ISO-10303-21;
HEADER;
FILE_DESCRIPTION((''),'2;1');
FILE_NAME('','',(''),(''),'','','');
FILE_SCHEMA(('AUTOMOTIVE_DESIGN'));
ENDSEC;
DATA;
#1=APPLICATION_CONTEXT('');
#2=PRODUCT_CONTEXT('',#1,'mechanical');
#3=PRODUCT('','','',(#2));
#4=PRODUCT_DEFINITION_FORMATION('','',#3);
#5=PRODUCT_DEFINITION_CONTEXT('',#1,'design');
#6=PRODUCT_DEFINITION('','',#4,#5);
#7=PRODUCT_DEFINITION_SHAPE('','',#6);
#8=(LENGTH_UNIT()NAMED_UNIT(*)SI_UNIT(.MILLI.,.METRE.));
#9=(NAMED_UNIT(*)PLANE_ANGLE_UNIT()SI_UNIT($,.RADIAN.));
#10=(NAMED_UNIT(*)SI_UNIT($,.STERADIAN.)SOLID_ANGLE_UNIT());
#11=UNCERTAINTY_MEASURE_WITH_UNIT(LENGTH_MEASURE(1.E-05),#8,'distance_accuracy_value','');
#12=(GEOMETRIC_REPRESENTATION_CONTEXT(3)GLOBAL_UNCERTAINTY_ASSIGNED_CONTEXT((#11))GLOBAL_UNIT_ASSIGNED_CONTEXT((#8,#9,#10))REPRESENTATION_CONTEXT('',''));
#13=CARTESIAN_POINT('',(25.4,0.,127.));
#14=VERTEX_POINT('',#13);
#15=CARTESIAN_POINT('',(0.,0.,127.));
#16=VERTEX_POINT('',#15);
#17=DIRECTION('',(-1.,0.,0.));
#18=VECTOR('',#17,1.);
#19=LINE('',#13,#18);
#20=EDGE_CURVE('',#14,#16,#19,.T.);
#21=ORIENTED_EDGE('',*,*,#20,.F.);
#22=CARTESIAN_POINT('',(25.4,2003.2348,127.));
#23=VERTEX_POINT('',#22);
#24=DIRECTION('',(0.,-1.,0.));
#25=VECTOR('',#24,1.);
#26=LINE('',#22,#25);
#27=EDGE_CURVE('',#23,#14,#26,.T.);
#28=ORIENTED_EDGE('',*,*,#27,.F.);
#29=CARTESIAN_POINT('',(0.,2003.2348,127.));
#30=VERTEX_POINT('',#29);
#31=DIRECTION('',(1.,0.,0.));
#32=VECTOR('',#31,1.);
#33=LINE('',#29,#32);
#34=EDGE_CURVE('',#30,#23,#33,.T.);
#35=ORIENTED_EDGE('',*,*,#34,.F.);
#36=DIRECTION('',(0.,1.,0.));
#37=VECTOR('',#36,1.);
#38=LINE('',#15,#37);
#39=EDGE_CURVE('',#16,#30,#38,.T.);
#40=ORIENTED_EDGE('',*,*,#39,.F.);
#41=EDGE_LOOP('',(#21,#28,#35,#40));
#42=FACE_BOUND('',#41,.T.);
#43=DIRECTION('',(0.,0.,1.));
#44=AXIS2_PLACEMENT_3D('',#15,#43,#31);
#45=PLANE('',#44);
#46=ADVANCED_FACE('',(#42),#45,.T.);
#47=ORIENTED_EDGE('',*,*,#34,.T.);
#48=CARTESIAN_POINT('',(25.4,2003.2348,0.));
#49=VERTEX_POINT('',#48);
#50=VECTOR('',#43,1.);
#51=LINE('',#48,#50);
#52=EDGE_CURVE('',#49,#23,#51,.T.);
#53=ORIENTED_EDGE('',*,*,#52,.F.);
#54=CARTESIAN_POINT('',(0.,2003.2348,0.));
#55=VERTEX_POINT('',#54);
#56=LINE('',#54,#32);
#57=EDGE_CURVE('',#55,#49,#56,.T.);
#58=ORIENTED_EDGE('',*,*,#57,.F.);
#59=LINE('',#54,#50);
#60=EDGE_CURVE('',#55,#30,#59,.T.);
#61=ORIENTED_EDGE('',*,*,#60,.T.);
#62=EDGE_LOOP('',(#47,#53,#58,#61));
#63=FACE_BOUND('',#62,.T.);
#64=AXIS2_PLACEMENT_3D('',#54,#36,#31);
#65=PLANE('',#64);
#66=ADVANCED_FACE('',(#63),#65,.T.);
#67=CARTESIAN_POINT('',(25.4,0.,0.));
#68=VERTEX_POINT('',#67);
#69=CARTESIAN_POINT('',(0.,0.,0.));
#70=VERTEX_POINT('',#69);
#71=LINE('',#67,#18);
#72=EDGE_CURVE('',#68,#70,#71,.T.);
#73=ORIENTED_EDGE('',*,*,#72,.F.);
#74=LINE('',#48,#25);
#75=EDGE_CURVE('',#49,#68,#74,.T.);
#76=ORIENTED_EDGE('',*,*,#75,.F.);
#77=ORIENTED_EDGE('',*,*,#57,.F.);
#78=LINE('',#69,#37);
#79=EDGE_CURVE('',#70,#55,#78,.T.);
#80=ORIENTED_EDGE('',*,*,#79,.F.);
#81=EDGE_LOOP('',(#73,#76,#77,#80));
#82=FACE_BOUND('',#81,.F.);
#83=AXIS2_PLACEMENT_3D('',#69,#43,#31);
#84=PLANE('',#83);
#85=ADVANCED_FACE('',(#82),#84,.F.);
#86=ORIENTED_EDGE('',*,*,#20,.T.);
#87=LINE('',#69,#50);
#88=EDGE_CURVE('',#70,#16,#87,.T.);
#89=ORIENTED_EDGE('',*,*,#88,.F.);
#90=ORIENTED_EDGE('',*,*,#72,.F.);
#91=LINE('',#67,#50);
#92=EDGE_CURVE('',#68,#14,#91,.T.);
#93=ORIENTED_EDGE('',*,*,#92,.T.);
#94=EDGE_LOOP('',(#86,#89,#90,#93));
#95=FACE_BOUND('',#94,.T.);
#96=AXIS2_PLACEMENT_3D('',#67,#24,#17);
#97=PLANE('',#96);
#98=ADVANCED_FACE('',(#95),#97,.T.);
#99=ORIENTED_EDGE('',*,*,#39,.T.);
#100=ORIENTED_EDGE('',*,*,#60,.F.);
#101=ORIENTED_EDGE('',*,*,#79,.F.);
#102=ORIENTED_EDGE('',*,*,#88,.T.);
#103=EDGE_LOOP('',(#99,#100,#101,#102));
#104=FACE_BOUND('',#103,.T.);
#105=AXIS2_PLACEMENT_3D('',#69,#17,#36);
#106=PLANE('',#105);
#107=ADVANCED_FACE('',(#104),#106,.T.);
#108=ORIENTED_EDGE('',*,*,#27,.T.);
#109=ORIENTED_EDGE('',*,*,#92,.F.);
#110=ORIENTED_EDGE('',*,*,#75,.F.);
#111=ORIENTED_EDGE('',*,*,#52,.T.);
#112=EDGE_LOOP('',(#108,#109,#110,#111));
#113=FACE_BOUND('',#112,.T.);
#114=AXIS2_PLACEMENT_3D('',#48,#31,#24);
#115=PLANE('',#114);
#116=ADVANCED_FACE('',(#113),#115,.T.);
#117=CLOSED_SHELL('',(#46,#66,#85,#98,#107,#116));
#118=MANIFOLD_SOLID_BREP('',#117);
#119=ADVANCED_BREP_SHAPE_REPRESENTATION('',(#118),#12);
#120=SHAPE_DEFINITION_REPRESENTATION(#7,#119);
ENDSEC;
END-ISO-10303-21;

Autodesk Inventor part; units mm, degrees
ref_plane "YZ Plane" through (0, 0, 0) normal (1, 0, 0) x (0, 1, 0)
ref_plane "XZ Plane" through (0, 0, 0) normal (0, 1, 0) x (-1, 0, 0)
ref_plane "XY Plane" through (0, 0, 0) normal (0, 0, 1) x (1, 0, 0)
sketch "Sketch1" plane through (0, 0, 0) normal (0, 0, 1) x (1, 0, 0)
  line L0 (0, 0) -> (0, 2003.2348)
  line L1 (0, 2003.2348) -> (25.4, 2003.2348)
  line L2 (25.4, 2003.2348) -> (25.4, 0)
  line L3 (25.4, 0) -> (0, 0)
  dimension "d0" = 25.4
  dimension "d1" = 2003.2348
extrude "Extrusion1" add sketch "Sketch1" along normal blind 127
properties part number "left and right hiding bar"
